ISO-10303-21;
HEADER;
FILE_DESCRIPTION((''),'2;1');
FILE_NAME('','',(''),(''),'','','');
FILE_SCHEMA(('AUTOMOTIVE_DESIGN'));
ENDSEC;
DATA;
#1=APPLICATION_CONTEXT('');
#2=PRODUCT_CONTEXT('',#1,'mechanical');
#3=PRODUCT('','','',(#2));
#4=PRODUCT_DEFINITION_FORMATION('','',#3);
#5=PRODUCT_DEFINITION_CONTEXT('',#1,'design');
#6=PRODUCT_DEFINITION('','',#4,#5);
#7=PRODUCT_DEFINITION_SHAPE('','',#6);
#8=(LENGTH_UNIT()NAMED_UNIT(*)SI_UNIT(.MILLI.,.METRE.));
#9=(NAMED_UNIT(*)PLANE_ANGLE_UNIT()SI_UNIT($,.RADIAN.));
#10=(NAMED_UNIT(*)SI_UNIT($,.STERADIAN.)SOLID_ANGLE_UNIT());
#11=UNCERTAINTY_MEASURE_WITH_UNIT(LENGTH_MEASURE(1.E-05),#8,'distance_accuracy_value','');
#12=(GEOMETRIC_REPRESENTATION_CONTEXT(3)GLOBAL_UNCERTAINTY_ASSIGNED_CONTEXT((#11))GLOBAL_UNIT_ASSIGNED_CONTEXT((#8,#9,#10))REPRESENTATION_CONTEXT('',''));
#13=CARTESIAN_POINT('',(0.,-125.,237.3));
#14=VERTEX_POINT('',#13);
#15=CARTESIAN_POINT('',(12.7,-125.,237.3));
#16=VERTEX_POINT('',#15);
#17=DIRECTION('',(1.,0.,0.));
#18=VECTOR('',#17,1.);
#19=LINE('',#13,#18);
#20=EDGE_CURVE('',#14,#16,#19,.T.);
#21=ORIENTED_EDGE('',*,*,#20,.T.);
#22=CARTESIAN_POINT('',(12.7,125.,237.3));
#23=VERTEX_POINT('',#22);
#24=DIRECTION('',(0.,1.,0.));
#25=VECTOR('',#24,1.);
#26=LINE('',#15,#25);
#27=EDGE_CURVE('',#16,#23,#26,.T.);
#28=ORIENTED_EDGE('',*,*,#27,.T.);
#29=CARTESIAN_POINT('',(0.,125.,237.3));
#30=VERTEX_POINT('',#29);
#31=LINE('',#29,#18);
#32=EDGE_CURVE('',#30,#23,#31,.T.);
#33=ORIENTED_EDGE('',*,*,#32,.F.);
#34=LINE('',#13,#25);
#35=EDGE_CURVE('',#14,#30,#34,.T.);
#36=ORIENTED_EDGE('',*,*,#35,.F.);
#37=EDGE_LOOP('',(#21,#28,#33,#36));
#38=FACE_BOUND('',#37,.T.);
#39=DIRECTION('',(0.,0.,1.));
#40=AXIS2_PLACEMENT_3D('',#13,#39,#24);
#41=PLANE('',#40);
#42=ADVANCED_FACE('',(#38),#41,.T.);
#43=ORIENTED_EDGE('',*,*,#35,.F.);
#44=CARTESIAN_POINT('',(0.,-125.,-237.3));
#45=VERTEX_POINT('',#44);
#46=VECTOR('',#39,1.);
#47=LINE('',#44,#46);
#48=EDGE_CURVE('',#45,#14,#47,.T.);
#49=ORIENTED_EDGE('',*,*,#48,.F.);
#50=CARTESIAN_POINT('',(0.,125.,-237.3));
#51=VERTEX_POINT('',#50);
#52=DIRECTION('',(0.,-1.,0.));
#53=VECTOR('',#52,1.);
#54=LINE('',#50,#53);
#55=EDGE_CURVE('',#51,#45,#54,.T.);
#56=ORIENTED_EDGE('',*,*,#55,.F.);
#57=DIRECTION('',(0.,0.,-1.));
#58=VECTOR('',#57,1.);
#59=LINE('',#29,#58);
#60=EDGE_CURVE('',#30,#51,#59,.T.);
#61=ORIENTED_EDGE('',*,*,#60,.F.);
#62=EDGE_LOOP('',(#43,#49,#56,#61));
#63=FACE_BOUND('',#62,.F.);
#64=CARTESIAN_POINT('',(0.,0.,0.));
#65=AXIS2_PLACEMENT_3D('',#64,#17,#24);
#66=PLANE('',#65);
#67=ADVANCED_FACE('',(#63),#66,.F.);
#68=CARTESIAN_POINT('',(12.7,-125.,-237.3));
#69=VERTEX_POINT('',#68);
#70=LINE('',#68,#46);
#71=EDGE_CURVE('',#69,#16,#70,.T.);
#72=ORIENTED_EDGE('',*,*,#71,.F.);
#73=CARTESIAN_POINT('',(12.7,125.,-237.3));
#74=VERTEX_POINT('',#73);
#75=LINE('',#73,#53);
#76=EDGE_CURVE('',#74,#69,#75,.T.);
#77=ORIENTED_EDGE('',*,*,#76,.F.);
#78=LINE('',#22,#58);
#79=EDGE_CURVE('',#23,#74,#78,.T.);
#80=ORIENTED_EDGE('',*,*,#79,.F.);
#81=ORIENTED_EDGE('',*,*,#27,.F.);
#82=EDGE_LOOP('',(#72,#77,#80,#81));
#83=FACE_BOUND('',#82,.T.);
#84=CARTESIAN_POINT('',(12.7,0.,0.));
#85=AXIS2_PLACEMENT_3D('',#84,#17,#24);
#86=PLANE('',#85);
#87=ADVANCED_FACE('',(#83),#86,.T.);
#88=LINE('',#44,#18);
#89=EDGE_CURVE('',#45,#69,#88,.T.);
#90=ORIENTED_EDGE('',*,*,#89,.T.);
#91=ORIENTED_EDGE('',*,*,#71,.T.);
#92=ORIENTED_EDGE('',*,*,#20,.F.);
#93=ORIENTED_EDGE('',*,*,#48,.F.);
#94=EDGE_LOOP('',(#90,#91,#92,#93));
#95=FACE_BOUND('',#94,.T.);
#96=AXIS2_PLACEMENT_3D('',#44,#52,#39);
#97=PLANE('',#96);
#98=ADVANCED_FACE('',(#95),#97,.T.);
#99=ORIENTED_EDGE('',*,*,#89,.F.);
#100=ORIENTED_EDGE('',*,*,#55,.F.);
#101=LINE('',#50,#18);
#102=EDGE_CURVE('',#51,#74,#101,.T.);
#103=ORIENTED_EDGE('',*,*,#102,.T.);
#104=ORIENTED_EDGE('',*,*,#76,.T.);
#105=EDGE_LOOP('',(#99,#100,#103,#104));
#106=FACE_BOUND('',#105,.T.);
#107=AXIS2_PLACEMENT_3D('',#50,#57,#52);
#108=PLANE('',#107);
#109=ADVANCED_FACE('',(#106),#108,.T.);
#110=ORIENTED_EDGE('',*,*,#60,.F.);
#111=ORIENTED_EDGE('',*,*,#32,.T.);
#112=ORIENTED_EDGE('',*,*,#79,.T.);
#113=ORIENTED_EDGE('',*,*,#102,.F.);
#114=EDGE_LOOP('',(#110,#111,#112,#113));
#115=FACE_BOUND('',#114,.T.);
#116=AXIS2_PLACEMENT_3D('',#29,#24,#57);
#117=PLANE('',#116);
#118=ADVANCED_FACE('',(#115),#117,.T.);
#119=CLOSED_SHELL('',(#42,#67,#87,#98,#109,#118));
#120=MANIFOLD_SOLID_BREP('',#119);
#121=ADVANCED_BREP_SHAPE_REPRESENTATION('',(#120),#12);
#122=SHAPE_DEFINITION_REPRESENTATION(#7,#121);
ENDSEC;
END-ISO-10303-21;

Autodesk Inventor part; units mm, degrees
ref_plane "YZ Plane" through (0, 0, 0) normal (1, 0, 0) x (0, 1, 0)
ref_plane "XZ Plane" through (0, 0, 0) normal (0, 1, 0) x (-1, 0, 0)
ref_plane "XY Plane" through (0, 0, 0) normal (0, 0, 1) x (1, 0, 0)
sketch "Sketch1" plane through (0, 0, 0) normal (1, 0, 0) x (0, 1, 0)
  line L0 (-125, 237.3) -> (125, 237.3)
  line L1 (125, 237.3) -> (125, -237.3)
  line L2 (125, -237.3) -> (-125, -237.3)
  line L3 (-125, -237.3) -> (-125, 237.3)
  line L4 (-125, 237.3) -> (125, -237.3) construction
  line L5 (125, 237.3) -> (-125, -237.3) construction
  point P0 (0, 0)
  dimension "height" = 250
  dimension "length" = 474.6
extrude "Extrusion1" add sketch "Sketch1" along normal blind 12.7
properties part number "Creat Side-01" material "Wood (Maple)"
